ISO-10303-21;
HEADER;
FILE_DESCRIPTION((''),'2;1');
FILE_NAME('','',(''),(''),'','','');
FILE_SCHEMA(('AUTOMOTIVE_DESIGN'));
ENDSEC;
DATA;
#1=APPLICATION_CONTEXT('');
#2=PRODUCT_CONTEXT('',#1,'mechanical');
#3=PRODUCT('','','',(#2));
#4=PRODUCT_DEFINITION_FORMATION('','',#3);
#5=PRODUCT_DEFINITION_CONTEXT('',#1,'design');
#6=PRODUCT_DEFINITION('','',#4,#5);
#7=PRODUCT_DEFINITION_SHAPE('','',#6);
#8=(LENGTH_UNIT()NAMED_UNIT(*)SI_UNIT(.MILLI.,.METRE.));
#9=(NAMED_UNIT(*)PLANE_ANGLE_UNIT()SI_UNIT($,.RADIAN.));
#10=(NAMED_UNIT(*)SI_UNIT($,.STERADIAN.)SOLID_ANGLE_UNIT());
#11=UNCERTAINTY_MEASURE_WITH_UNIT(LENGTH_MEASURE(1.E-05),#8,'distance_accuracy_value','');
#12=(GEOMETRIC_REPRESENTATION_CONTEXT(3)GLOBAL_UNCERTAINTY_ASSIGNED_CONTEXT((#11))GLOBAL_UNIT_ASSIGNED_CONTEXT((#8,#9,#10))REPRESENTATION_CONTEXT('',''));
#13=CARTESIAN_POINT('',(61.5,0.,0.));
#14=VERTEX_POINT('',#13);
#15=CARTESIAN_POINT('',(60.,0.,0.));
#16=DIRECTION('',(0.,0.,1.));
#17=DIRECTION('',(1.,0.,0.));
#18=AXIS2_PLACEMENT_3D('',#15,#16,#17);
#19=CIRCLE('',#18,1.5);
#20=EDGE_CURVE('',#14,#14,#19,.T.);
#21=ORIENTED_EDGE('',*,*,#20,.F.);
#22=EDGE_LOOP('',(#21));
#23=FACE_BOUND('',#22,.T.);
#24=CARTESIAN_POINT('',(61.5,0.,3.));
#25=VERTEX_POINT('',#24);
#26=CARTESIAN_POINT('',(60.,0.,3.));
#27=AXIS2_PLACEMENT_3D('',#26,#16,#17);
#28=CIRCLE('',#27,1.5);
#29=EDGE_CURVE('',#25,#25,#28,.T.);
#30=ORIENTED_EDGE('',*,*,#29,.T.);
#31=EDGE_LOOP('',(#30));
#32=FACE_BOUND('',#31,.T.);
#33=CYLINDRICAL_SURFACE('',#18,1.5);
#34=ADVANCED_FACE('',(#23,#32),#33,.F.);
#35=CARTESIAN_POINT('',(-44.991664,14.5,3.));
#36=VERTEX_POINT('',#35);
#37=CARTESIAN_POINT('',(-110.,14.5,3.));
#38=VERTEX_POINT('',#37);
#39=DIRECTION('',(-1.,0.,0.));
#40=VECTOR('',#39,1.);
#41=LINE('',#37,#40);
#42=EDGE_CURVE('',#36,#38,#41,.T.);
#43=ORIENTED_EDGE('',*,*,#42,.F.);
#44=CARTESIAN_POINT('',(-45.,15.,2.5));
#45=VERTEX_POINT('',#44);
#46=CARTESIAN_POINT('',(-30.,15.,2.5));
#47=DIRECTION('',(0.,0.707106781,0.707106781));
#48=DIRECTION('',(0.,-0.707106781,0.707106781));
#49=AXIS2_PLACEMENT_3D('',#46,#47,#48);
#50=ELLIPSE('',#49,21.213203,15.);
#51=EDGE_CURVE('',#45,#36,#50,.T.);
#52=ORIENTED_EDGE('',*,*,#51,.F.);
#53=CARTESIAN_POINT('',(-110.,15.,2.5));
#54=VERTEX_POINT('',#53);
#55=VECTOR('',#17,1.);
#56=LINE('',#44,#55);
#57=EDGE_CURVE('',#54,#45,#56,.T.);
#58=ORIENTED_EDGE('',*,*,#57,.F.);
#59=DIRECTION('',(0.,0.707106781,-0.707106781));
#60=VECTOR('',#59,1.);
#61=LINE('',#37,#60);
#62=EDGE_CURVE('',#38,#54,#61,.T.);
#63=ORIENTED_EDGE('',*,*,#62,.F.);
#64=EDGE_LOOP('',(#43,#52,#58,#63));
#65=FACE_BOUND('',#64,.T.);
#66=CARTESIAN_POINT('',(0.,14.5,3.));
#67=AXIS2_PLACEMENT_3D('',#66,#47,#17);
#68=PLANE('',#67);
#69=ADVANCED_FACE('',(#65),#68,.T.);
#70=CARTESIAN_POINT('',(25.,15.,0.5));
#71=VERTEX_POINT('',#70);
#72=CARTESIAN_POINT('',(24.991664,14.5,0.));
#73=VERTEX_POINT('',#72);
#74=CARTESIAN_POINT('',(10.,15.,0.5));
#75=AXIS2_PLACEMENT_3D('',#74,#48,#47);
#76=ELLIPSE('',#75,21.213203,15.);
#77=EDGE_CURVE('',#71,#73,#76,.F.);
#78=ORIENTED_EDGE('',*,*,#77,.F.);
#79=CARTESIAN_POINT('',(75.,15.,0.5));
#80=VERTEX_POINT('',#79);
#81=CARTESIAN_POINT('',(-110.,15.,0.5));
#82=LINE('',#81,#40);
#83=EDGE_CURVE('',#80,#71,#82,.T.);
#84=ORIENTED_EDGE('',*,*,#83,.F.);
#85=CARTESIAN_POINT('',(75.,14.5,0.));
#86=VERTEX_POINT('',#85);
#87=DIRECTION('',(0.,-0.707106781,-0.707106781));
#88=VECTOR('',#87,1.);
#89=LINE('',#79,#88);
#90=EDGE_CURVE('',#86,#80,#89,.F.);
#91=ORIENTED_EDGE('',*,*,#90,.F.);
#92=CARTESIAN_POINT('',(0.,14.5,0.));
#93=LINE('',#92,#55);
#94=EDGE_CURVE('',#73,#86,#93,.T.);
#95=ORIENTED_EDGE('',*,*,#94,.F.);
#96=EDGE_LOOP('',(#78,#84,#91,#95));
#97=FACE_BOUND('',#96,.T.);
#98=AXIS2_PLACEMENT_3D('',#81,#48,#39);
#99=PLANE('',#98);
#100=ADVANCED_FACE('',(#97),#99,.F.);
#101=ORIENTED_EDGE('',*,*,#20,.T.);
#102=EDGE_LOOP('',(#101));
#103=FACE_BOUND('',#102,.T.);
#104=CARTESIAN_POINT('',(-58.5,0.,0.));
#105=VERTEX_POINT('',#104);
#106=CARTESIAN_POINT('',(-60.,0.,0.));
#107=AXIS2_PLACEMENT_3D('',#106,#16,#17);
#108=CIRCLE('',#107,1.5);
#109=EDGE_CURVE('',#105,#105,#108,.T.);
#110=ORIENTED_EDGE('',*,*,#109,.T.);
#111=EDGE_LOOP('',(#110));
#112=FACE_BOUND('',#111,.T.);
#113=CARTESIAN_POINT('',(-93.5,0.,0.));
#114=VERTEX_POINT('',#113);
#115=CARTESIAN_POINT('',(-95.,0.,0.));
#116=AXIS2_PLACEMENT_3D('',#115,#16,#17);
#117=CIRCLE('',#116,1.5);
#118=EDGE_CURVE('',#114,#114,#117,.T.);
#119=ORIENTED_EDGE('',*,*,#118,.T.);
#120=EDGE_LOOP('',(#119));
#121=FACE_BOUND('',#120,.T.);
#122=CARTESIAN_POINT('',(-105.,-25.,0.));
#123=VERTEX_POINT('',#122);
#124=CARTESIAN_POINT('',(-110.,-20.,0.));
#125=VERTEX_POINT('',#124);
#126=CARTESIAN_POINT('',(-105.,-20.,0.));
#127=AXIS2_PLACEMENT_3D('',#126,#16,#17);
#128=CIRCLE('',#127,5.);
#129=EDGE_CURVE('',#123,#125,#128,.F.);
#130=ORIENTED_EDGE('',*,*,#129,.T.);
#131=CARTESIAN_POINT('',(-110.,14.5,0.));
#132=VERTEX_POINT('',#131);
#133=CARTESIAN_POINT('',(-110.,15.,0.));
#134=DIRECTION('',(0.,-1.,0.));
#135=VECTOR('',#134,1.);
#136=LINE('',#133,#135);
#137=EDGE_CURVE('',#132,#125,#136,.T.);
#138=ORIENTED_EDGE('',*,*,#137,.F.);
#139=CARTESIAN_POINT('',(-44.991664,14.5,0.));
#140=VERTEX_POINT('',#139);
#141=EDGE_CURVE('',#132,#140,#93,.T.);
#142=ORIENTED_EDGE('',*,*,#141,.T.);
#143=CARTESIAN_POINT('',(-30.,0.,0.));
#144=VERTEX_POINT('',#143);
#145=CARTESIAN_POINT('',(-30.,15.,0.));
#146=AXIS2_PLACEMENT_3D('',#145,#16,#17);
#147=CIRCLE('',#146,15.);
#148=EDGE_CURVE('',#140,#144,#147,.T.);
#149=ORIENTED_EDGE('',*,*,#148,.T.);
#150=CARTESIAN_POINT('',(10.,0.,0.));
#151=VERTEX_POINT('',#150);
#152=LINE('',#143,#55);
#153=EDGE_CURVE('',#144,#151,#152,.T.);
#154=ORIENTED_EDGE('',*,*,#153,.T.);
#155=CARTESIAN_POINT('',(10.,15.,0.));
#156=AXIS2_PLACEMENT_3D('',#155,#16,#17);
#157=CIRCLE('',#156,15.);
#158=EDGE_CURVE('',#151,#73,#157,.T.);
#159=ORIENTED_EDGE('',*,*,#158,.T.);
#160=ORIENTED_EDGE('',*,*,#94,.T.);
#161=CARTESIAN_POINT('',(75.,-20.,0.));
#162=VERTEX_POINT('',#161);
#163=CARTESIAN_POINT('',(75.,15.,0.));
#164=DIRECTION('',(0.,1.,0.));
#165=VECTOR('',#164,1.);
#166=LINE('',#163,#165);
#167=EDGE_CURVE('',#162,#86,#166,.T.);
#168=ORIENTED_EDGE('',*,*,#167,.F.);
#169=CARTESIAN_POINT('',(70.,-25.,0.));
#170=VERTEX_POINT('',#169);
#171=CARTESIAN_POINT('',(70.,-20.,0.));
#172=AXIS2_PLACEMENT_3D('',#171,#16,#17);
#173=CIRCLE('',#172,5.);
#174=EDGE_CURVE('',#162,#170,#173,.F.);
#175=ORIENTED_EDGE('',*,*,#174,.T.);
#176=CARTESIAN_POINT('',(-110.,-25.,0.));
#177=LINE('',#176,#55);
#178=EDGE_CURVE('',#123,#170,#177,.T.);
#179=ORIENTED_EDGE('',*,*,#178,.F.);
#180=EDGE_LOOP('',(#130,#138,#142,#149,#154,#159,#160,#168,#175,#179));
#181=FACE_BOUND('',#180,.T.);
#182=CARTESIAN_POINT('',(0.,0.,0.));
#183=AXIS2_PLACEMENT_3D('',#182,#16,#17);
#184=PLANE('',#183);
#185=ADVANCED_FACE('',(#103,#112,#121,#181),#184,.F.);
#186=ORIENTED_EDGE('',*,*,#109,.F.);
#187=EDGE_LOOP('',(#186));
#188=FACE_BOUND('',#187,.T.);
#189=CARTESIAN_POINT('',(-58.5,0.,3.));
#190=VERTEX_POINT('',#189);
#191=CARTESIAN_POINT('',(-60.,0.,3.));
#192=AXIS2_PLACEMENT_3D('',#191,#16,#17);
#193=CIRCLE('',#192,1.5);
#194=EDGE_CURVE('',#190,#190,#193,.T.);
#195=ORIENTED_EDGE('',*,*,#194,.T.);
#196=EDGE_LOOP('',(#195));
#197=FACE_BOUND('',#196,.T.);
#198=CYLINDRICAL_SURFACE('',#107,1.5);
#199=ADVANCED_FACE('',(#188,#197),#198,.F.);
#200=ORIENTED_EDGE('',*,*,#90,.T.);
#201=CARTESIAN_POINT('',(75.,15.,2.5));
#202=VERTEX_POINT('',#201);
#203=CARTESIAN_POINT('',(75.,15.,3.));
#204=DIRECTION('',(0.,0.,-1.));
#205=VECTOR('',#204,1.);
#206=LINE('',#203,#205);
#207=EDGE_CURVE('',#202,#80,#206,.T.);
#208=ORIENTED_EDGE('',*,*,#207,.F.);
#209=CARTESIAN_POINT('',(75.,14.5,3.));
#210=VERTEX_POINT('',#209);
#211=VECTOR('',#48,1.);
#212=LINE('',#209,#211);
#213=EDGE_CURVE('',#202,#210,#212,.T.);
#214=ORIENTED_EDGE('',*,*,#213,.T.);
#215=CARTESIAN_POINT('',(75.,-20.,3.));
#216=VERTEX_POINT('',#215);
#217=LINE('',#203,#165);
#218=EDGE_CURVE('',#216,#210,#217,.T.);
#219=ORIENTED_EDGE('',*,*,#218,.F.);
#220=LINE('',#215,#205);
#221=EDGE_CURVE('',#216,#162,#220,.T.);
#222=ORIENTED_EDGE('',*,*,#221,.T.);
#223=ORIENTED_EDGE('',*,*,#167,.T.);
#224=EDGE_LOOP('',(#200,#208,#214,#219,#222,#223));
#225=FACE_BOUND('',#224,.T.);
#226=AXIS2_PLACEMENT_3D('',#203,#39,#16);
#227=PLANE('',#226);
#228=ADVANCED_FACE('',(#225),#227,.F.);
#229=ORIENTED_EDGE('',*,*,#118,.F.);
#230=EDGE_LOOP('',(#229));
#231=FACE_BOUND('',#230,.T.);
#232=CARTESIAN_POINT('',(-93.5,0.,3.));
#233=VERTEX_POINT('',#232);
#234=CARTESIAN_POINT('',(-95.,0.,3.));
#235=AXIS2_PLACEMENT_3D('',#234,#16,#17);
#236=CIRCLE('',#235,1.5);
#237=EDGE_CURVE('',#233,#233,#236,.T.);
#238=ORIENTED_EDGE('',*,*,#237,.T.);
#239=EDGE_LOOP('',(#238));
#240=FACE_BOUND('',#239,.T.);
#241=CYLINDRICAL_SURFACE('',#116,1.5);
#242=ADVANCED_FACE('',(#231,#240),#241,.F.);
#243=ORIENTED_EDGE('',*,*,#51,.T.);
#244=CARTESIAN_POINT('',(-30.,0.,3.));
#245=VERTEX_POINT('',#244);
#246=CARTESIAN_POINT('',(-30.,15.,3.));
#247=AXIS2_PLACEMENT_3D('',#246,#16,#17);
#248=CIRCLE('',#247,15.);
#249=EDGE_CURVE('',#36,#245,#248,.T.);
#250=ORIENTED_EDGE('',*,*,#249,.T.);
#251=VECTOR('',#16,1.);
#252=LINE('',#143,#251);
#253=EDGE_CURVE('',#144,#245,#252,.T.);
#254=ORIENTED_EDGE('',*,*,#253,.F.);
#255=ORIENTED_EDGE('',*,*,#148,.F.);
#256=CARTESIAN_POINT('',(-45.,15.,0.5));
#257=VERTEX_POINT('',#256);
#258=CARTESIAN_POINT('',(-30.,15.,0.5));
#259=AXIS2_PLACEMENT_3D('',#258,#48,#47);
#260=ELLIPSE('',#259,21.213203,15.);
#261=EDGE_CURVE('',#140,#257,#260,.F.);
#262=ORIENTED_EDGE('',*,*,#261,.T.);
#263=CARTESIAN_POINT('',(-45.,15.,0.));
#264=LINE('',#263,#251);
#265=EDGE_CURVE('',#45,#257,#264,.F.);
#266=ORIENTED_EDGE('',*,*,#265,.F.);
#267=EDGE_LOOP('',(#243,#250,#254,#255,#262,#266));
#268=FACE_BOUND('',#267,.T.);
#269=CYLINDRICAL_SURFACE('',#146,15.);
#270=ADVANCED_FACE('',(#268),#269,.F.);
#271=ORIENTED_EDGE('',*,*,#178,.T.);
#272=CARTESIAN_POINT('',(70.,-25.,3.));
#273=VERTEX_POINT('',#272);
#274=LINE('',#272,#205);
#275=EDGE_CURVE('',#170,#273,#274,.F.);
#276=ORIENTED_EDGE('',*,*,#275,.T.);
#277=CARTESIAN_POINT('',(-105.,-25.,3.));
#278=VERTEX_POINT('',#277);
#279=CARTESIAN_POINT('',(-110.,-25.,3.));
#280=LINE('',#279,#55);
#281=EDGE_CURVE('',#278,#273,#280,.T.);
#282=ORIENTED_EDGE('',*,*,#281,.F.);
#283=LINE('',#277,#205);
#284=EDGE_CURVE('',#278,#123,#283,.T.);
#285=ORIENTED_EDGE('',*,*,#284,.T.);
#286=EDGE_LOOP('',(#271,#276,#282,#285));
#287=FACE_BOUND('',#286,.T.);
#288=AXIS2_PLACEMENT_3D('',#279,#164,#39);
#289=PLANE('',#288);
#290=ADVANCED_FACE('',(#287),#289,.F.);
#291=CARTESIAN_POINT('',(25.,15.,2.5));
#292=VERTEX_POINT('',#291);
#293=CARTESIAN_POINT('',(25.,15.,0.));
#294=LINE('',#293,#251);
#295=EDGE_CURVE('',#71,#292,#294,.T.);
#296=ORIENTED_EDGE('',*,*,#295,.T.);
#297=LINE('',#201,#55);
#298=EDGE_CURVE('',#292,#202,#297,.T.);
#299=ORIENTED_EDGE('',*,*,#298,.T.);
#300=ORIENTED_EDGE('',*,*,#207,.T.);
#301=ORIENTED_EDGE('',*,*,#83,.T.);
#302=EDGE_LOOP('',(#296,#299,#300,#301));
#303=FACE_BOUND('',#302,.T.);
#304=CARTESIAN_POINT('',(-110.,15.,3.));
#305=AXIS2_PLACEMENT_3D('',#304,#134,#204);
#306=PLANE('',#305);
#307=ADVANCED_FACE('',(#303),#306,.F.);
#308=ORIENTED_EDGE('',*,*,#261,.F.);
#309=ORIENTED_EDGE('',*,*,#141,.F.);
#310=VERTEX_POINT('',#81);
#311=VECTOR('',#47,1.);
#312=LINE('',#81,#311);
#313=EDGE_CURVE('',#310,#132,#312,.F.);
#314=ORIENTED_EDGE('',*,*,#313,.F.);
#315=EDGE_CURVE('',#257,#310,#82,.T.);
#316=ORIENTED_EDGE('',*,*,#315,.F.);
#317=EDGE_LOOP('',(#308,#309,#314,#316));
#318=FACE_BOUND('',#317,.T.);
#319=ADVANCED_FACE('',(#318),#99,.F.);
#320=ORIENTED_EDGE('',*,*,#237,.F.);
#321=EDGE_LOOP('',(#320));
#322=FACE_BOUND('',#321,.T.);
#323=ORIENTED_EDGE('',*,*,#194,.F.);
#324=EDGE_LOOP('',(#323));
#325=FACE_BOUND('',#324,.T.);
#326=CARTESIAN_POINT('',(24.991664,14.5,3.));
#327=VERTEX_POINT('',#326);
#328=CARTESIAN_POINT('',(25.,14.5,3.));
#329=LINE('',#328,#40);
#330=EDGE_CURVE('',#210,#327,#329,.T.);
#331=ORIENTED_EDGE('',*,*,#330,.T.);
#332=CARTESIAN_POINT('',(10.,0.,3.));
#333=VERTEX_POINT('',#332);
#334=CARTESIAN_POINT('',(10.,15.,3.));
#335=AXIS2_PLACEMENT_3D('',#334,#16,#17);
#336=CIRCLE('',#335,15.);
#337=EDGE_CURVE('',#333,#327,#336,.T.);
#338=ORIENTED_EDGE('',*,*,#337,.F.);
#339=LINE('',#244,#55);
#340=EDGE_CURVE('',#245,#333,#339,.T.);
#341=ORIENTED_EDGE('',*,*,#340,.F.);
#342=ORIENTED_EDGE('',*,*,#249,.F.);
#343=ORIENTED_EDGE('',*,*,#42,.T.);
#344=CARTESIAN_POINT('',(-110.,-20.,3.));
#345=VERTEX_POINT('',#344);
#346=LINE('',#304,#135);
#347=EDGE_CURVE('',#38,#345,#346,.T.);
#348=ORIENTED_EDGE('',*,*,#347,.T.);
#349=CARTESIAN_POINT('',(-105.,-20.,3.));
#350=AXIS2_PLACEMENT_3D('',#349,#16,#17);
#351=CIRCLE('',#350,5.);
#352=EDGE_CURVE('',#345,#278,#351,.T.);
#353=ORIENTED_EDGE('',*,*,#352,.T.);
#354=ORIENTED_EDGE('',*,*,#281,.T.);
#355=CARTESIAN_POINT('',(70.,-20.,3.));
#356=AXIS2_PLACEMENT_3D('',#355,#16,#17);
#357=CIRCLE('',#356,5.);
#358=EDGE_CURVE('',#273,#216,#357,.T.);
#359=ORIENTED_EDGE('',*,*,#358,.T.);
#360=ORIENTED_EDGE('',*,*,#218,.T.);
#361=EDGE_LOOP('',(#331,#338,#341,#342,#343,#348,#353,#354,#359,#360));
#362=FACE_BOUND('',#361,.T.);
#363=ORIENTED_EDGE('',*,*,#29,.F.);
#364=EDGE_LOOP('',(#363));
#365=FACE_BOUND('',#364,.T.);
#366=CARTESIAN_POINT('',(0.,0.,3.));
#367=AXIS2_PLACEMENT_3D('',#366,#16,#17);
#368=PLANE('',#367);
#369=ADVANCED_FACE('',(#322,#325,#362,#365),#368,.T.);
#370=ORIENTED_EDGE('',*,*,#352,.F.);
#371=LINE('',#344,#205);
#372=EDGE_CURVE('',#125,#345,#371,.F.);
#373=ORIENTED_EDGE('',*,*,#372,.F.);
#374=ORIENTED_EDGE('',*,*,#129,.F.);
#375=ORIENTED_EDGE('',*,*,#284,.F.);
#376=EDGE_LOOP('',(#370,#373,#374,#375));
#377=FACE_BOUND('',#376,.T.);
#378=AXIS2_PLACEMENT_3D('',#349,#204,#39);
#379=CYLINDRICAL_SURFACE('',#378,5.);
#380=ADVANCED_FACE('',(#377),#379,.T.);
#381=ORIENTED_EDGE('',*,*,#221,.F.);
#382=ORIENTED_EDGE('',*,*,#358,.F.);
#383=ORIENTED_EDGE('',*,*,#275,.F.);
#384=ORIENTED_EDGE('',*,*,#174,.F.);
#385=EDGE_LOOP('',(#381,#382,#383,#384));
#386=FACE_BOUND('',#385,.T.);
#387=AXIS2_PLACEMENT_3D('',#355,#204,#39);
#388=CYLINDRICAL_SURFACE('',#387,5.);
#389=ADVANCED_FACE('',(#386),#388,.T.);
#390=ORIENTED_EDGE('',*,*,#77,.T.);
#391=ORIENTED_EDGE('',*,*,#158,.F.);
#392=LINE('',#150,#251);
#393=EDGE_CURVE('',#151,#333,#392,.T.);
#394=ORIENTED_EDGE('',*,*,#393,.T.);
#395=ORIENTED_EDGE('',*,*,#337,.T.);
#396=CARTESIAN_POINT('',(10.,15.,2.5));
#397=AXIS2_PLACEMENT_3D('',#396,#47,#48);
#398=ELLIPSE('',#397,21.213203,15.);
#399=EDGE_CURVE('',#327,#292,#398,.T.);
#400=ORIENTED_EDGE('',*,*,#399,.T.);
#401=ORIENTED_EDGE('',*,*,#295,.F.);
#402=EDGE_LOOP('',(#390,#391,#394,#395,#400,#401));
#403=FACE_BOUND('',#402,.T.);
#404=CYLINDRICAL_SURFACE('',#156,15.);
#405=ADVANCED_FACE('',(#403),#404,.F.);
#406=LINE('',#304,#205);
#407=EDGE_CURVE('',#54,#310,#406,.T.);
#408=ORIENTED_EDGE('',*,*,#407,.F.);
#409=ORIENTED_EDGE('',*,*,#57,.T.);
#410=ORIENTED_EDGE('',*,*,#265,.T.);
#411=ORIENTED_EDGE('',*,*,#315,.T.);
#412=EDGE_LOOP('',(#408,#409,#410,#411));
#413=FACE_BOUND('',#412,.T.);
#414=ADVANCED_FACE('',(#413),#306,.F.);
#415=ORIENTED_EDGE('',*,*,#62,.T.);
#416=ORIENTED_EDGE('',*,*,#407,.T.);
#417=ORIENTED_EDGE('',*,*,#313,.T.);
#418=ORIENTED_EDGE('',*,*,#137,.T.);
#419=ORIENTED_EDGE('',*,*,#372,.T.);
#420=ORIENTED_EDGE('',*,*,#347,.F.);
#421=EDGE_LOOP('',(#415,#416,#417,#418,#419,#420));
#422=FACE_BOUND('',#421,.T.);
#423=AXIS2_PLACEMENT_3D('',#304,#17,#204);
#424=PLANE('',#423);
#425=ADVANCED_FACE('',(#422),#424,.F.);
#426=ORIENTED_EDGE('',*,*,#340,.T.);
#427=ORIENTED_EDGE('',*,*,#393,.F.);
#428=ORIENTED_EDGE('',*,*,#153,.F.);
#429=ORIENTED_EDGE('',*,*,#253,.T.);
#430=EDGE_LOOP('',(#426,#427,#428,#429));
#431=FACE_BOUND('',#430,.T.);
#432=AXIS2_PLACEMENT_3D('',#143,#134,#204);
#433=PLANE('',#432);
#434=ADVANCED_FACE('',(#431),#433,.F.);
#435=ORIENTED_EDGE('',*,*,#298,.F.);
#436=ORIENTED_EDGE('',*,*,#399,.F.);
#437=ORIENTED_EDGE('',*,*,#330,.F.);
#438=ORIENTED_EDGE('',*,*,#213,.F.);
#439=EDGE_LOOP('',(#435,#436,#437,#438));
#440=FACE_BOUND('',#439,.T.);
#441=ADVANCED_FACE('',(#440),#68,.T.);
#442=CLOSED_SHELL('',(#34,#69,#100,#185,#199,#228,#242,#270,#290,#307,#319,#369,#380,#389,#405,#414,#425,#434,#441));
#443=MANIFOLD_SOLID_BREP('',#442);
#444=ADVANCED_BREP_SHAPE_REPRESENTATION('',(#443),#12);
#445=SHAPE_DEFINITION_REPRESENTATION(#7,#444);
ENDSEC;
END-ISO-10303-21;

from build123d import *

# Parameters (mm, degrees)
SKETCH_1_W          = 185
SKETCH_1_H          = 40
EXTRUDE_1_DEPTH     = 3
SKETCH_2_R          = 1.5
CUT_EXTRUDE_1_DEPTH = 3
CUT_EXTRUDE_2_DEPTH = 3
FILLET_1_R          = 5
SKETCH_4_R          = 1.5
CUT_EXTRUDE_3_DEPTH = 3
CHAMFER_1_SIZE      = 0.5


with BuildPart() as part:
    # 草图1 → 凸台-拉伸1 (new body)
    with BuildSketch(Plane.XY):
        with Locations((-17.5, -5)):
            Rectangle(SKETCH_1_W, SKETCH_1_H)
    extrude(amount=EXTRUDE_1_DEPTH)

    # 草图2 → 切除-拉伸1 (cut)
    with BuildSketch(Plane.XY.offset(3)):
        with Locations((60, 0)):
            Circle(SKETCH_2_R)
        with Locations((-60, 0)):
            Circle(SKETCH_2_R)
    extrude(amount=-CUT_EXTRUDE_1_DEPTH, mode=Mode.SUBTRACT)

    # 草图3 → 切除-拉伸2 (cut)
    with BuildSketch(Plane.XY.offset(3)):
        with BuildLine():
            Line((-30, 30), (10, 30))
            ThreePointArc((10, 30), (25, 15), (10, 0))
            Line((10, 0), (-30, 0))
            ThreePointArc((-30, 0), (-45, 15), (-30, 30))
        make_face()
    extrude(amount=-CUT_EXTRUDE_2_DEPTH, mode=Mode.SUBTRACT)

    # 圆角1
    fillet_1_edges = [part.edges().sort_by_distance(p)[0] for p in [
        (75, -25, 1.5),
        (-110, -25, 1.5),
    ]]
    fillet(fillet_1_edges, radius=FILLET_1_R)

    # 草图4 → 切除-拉伸3 (cut)
    with BuildSketch(Plane.XY.offset(3)):
        with Locations((-95, 0)):
            Circle(SKETCH_4_R)
    extrude(amount=-CUT_EXTRUDE_3_DEPTH, mode=Mode.SUBTRACT)

    # 倒角1
    chamfer_1_edges = [part.edges().sort_by_distance(p)[0] for p in [
        (50, 15, 3),
        (-77.5, 15, 0),
        (-77.5, 15, 3),
        (50, 15, 0),
    ]]
    chamfer(chamfer_1_edges, length=CHAMFER_1_SIZE)


solid = part.part
